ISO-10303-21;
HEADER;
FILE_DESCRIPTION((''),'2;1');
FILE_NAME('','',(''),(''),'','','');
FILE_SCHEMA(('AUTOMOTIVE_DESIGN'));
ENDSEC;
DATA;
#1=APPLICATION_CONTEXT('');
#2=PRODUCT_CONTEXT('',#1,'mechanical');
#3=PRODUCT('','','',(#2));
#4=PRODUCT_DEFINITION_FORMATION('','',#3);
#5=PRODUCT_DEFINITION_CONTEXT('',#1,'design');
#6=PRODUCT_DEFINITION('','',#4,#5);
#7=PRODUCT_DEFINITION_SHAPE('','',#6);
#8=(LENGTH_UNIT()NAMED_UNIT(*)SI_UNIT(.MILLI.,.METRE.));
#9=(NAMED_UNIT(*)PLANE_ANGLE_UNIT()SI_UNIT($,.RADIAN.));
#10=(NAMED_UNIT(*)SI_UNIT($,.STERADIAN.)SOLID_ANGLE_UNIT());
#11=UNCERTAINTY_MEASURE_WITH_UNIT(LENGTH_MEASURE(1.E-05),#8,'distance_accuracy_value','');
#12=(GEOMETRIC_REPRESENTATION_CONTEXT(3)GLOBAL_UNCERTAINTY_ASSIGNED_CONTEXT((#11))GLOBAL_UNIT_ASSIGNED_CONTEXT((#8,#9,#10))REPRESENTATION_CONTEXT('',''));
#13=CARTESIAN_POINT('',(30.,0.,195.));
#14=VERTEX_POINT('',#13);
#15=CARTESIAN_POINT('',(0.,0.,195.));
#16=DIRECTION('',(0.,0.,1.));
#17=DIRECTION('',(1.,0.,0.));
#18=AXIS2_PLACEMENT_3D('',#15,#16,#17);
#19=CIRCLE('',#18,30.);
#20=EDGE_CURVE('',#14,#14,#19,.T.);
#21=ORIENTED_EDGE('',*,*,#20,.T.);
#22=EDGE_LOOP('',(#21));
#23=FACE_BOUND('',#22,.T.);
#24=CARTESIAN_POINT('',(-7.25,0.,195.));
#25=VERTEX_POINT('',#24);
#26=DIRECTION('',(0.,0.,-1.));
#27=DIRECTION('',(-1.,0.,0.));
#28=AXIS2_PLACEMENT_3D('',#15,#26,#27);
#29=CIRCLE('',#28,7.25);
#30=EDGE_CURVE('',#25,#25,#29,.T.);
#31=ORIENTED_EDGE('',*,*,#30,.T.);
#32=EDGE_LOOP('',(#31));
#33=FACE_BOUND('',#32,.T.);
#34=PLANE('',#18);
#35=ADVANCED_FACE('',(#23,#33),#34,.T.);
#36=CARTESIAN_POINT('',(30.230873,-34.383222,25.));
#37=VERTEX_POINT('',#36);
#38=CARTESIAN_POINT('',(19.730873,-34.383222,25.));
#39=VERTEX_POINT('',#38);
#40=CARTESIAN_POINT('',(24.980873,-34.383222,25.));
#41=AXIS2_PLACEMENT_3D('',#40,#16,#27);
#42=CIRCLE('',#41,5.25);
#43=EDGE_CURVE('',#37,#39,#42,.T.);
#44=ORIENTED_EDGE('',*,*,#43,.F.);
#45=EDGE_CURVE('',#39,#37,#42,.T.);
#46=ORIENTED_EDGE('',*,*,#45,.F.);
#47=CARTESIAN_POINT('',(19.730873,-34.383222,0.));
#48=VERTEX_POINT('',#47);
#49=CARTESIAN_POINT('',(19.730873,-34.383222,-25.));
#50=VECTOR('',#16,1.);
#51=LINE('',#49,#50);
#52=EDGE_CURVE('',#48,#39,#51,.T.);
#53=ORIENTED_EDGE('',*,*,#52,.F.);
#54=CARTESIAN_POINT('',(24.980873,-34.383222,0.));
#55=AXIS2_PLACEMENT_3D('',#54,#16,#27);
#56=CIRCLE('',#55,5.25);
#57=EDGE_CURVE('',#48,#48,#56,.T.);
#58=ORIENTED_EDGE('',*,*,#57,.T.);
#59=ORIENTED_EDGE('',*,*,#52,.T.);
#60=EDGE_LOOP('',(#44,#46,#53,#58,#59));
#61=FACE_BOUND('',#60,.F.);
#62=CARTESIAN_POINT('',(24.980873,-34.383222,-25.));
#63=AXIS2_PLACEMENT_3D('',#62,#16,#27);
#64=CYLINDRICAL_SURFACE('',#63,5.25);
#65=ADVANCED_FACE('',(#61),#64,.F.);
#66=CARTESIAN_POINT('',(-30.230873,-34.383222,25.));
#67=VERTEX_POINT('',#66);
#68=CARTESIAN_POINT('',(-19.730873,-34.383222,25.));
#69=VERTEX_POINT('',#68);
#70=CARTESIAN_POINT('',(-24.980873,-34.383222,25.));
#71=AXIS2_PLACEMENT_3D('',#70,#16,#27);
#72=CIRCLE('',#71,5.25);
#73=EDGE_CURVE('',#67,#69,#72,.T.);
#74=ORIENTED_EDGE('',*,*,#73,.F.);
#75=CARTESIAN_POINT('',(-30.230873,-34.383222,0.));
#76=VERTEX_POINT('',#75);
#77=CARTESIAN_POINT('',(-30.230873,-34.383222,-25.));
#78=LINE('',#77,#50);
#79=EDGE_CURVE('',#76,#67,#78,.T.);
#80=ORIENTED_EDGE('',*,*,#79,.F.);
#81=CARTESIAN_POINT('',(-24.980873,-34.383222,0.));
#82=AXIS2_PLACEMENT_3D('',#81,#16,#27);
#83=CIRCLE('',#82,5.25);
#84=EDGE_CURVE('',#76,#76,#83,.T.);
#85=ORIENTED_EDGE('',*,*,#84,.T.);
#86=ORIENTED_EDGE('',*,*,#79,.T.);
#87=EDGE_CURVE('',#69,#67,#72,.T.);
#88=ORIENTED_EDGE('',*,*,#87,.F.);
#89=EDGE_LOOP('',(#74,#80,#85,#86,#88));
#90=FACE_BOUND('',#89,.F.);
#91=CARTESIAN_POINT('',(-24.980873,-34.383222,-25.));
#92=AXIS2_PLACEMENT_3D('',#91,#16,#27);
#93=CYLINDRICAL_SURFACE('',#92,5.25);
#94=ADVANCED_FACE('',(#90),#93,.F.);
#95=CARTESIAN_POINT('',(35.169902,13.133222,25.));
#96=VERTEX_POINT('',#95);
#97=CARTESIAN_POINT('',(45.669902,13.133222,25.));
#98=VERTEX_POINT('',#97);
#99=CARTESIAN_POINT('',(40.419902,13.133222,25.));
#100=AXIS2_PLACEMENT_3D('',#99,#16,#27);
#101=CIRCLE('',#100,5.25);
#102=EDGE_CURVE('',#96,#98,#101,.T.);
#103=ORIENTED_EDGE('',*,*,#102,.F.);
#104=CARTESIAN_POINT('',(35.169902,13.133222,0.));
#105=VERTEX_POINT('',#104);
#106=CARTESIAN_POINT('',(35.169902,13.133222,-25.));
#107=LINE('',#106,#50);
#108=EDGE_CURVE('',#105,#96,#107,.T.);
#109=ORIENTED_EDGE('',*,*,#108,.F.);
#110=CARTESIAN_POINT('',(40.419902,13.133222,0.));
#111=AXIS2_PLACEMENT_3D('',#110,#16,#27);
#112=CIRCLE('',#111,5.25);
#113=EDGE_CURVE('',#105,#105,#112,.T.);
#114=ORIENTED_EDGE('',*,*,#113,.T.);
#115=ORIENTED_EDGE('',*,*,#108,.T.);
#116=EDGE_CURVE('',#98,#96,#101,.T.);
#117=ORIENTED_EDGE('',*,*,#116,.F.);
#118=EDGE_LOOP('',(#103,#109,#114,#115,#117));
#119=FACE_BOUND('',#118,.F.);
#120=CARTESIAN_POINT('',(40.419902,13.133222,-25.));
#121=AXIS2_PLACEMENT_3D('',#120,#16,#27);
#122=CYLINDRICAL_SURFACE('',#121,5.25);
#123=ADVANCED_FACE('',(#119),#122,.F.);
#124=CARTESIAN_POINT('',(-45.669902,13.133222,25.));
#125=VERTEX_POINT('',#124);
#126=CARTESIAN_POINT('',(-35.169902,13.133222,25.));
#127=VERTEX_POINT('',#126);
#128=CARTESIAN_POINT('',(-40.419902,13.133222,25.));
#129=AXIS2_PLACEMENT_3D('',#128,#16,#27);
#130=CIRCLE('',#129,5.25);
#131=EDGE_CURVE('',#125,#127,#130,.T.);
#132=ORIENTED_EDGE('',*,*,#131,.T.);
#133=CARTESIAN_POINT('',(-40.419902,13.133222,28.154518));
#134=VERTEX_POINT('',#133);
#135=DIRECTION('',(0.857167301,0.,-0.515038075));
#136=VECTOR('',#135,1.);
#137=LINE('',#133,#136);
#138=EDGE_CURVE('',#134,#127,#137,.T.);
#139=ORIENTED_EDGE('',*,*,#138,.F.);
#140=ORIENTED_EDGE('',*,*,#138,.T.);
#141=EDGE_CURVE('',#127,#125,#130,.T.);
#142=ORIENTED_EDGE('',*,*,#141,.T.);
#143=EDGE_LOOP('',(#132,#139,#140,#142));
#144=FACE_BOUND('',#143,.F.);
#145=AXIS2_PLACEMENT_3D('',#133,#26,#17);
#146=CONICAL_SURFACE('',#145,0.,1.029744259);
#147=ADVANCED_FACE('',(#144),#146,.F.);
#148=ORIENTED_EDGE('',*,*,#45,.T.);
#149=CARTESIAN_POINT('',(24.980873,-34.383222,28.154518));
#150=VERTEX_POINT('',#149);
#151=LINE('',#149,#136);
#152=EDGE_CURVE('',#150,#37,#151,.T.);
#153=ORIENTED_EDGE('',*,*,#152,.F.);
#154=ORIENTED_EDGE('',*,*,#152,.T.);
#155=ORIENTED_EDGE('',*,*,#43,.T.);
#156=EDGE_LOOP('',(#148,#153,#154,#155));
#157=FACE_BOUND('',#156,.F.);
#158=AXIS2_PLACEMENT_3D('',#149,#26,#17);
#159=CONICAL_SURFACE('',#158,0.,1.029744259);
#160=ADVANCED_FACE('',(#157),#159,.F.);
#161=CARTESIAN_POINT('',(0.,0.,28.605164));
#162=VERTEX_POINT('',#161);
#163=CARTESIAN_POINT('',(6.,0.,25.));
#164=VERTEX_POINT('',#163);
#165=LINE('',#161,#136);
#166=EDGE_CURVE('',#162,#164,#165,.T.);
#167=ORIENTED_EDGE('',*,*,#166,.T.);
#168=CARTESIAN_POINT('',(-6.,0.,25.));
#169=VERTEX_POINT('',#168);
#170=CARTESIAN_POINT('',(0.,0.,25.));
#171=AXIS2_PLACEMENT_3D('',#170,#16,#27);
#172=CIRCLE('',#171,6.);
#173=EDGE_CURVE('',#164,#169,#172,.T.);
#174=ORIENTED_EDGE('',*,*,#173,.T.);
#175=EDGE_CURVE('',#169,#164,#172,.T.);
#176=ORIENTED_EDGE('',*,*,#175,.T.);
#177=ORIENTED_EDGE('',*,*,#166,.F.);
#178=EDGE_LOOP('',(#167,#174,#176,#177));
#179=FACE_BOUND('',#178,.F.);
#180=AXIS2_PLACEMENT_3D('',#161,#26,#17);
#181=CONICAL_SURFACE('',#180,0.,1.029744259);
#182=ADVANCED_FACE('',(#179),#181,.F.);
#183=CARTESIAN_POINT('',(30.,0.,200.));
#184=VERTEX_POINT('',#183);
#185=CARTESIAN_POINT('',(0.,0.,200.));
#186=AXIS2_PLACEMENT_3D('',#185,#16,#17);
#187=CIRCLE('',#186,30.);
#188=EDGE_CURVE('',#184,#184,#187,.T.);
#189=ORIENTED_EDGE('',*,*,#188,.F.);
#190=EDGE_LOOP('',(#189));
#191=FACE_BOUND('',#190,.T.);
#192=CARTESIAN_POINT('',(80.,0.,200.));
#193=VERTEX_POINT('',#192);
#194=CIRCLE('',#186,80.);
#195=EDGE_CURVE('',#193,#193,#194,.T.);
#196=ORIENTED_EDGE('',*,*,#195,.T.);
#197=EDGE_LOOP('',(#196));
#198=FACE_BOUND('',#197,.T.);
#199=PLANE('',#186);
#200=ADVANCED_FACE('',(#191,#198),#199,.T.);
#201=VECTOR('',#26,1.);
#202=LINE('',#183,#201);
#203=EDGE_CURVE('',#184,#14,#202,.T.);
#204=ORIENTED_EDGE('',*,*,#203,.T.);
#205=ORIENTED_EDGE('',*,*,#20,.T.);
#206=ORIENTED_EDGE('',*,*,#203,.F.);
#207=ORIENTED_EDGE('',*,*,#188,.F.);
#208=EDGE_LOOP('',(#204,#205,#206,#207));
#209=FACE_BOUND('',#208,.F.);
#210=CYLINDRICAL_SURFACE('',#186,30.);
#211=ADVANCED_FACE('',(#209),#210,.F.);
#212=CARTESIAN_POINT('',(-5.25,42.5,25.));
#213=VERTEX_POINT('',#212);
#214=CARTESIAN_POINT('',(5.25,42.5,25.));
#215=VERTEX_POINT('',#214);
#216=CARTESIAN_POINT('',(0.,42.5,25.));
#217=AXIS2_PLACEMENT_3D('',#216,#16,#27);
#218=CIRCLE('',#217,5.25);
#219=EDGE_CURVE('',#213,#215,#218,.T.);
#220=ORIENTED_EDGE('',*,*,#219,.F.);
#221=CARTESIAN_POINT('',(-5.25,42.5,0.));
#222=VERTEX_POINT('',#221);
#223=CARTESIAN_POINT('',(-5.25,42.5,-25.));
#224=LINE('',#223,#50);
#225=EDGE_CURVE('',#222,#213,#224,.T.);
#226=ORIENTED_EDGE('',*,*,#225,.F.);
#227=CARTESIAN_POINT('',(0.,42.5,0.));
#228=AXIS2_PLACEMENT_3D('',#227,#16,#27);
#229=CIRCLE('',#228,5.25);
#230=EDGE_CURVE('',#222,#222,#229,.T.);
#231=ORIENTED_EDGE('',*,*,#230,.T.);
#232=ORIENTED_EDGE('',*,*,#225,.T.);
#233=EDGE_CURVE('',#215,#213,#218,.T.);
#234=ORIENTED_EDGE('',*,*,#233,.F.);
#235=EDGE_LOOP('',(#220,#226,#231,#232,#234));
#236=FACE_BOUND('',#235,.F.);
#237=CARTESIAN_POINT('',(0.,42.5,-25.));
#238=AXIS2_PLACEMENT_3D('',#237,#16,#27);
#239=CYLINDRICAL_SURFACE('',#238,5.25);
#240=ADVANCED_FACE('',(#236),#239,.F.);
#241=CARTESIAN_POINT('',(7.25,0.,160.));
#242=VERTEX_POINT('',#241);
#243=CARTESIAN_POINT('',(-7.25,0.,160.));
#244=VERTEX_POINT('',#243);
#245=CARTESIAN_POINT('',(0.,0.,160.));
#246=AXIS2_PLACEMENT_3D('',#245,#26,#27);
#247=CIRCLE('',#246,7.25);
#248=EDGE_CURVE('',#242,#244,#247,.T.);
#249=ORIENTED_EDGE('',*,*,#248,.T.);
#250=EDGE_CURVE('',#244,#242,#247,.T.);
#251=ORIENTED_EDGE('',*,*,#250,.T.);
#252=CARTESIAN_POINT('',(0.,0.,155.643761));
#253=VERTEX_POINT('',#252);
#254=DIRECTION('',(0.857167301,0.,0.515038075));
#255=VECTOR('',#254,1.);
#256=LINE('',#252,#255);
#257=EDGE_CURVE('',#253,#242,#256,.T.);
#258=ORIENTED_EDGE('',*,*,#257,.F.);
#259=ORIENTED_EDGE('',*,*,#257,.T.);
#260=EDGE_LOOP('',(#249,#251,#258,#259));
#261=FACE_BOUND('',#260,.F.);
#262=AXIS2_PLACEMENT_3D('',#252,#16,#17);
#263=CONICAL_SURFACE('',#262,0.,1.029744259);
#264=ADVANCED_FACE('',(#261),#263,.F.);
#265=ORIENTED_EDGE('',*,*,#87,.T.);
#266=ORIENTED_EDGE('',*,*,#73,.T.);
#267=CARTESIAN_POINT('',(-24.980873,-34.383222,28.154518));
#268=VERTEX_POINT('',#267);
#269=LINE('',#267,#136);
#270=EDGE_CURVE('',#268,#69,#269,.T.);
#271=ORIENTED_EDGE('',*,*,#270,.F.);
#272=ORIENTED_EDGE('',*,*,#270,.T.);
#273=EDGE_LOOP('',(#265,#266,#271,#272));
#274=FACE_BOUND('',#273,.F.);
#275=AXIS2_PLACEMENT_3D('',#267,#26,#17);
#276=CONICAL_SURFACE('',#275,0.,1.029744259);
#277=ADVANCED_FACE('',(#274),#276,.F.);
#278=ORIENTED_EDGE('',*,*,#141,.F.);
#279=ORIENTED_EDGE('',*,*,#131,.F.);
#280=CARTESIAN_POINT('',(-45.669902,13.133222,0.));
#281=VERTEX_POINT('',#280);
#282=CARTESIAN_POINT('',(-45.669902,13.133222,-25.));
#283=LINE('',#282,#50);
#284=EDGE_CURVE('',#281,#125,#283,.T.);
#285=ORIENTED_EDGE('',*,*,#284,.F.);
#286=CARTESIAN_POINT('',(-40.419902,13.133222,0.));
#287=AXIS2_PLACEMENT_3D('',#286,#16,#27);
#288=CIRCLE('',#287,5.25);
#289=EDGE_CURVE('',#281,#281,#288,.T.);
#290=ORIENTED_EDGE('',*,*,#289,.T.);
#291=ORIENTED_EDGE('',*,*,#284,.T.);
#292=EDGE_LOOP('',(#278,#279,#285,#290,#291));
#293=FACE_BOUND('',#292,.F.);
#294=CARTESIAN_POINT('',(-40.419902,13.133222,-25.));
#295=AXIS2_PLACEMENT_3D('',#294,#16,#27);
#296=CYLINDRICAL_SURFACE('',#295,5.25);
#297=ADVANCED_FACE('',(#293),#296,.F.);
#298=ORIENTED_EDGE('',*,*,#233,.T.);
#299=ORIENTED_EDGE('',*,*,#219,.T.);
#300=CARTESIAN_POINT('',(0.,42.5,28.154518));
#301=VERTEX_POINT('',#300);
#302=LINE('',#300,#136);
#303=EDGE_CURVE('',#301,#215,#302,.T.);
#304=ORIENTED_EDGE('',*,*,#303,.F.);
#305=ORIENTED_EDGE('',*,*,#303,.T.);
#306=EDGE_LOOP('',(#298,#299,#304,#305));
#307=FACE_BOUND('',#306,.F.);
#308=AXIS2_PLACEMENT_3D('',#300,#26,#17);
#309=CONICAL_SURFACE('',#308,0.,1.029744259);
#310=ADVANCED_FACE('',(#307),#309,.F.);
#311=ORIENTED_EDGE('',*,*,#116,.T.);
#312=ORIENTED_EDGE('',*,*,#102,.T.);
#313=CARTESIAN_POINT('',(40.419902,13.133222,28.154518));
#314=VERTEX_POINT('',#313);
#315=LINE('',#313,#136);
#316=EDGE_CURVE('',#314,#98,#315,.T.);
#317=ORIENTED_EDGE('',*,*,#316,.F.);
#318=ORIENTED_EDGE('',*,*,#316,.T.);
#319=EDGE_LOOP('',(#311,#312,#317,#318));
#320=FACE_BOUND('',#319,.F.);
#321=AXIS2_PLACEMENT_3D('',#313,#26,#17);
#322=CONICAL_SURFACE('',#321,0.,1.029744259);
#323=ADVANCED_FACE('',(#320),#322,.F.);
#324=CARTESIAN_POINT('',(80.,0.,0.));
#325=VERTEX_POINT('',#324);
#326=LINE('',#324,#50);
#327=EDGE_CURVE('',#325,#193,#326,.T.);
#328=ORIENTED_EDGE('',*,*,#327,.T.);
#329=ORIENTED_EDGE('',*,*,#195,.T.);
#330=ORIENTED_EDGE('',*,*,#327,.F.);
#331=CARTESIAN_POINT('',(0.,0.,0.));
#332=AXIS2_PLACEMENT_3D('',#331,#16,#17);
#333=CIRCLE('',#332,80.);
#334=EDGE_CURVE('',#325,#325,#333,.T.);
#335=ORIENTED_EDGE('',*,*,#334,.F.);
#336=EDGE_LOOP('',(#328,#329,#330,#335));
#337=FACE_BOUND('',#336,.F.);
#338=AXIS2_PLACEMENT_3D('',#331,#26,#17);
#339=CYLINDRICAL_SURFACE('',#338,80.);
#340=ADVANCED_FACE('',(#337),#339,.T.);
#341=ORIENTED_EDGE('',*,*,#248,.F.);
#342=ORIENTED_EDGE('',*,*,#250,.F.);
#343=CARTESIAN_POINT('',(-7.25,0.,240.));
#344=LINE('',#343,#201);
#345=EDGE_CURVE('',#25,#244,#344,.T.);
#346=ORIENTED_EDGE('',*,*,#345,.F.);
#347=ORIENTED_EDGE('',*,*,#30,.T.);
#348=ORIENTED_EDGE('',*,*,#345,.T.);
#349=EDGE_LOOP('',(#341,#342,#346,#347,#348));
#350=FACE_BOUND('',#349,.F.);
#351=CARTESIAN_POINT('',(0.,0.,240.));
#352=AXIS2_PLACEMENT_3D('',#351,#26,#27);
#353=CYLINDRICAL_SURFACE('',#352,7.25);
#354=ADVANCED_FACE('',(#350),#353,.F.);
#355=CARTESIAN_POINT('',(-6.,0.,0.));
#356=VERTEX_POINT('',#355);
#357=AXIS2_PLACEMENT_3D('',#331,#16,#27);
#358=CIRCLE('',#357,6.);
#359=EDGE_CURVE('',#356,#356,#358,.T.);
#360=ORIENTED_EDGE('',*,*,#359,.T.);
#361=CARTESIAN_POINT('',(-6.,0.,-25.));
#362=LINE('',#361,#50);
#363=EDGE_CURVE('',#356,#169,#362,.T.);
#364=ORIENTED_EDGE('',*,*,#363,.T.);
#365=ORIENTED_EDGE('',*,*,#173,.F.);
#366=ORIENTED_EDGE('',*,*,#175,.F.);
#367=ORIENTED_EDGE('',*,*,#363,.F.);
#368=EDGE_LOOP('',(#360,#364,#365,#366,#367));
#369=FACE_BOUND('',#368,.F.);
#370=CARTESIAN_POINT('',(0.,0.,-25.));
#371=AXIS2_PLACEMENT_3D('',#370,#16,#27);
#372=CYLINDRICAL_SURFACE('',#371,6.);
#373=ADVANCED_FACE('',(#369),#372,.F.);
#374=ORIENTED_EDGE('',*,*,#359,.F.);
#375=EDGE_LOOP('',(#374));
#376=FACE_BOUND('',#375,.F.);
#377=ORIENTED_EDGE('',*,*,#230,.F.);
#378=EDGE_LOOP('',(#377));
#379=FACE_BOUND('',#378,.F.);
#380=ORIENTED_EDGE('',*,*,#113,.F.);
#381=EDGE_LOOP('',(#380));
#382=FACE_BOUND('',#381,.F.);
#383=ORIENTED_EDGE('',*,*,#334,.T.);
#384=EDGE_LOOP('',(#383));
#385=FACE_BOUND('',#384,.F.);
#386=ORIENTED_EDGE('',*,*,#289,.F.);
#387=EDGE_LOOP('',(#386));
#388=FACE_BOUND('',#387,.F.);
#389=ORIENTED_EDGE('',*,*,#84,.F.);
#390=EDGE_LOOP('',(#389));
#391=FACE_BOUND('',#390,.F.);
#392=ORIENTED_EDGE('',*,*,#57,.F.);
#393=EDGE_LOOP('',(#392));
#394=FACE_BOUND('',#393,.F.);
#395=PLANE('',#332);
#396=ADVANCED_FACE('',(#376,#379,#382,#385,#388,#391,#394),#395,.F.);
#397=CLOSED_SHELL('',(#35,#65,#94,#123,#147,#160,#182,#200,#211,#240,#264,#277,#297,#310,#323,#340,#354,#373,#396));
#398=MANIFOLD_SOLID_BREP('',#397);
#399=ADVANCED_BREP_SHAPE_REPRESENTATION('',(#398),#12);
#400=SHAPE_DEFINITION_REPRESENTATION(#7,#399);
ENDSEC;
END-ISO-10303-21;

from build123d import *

# Parameters (mm, degrees)
F0_R     = 80
F1_DEPTH = 200
F3_D     = 14.5
F3_DEPTH = 40
F3_TIP   = 4.3562394879
F2_R     = 30
F2_R_2   = 20
F4_DEPTH = 5
F6_D     = 10.5
F6_DEPTH = 25
F6_TIP   = 3.1545182499
F7_D     = 12
F7_DEPTH = 25
F7_TIP   = 3.6051637142


with BuildPart() as f1:
    # F0 (on Top) → F1 (new body)
    with BuildSketch(Plane.XY):
        Circle(F0_R)
    extrude(amount=F1_DEPTH)

    # F3
    with Locations(Plane.XY.offset(200)):
        with Locations((0, 0)):
            Hole(F3_D / 2, depth=F3_DEPTH)
            with Locations((0, 0, -(F3_DEPTH + F3_TIP / 2))):  # 118° drill point
                Cone(0, F3_D / 2, F3_TIP, mode=Mode.SUBTRACT)

    # F2 (on face) → F4 (cut)
    with BuildSketch(Plane.XY.offset(200)):
        Circle(F2_R)
        Circle(F2_R_2, mode=Mode.SUBTRACT)
        Circle(F2_R_2)
    extrude(amount=-F4_DEPTH, mode=Mode.SUBTRACT)

    # F6
    with Locations(Plane(origin=(0, 0, 0), x_dir=(1, 0, 0), z_dir=(0, 0, -1))):
        with Locations((-24.9808732224, 34.3832222609), (-40.4199019425, -13.1332222609), (0, -42.5), (40.4199019425, -13.1332222609), (24.9808732224, 34.3832222609)):
            Hole(F6_D / 2, depth=F6_DEPTH)
            with Locations((0, 0, -(F6_DEPTH + F6_TIP / 2))):  # 118° drill point
                Cone(0, F6_D / 2, F6_TIP, mode=Mode.SUBTRACT)

    # F7
    with Locations(Plane(origin=(0, 0, 0), x_dir=(1, 0, 0), z_dir=(0, 0, -1))):
        with Locations((0, 0)):
            Hole(F7_D / 2, depth=F7_DEPTH)
            with Locations((0, 0, -(F7_DEPTH + F7_TIP / 2))):  # 118° drill point
                Cone(0, F7_D / 2, F7_TIP, mode=Mode.SUBTRACT)


solid = f1.part
